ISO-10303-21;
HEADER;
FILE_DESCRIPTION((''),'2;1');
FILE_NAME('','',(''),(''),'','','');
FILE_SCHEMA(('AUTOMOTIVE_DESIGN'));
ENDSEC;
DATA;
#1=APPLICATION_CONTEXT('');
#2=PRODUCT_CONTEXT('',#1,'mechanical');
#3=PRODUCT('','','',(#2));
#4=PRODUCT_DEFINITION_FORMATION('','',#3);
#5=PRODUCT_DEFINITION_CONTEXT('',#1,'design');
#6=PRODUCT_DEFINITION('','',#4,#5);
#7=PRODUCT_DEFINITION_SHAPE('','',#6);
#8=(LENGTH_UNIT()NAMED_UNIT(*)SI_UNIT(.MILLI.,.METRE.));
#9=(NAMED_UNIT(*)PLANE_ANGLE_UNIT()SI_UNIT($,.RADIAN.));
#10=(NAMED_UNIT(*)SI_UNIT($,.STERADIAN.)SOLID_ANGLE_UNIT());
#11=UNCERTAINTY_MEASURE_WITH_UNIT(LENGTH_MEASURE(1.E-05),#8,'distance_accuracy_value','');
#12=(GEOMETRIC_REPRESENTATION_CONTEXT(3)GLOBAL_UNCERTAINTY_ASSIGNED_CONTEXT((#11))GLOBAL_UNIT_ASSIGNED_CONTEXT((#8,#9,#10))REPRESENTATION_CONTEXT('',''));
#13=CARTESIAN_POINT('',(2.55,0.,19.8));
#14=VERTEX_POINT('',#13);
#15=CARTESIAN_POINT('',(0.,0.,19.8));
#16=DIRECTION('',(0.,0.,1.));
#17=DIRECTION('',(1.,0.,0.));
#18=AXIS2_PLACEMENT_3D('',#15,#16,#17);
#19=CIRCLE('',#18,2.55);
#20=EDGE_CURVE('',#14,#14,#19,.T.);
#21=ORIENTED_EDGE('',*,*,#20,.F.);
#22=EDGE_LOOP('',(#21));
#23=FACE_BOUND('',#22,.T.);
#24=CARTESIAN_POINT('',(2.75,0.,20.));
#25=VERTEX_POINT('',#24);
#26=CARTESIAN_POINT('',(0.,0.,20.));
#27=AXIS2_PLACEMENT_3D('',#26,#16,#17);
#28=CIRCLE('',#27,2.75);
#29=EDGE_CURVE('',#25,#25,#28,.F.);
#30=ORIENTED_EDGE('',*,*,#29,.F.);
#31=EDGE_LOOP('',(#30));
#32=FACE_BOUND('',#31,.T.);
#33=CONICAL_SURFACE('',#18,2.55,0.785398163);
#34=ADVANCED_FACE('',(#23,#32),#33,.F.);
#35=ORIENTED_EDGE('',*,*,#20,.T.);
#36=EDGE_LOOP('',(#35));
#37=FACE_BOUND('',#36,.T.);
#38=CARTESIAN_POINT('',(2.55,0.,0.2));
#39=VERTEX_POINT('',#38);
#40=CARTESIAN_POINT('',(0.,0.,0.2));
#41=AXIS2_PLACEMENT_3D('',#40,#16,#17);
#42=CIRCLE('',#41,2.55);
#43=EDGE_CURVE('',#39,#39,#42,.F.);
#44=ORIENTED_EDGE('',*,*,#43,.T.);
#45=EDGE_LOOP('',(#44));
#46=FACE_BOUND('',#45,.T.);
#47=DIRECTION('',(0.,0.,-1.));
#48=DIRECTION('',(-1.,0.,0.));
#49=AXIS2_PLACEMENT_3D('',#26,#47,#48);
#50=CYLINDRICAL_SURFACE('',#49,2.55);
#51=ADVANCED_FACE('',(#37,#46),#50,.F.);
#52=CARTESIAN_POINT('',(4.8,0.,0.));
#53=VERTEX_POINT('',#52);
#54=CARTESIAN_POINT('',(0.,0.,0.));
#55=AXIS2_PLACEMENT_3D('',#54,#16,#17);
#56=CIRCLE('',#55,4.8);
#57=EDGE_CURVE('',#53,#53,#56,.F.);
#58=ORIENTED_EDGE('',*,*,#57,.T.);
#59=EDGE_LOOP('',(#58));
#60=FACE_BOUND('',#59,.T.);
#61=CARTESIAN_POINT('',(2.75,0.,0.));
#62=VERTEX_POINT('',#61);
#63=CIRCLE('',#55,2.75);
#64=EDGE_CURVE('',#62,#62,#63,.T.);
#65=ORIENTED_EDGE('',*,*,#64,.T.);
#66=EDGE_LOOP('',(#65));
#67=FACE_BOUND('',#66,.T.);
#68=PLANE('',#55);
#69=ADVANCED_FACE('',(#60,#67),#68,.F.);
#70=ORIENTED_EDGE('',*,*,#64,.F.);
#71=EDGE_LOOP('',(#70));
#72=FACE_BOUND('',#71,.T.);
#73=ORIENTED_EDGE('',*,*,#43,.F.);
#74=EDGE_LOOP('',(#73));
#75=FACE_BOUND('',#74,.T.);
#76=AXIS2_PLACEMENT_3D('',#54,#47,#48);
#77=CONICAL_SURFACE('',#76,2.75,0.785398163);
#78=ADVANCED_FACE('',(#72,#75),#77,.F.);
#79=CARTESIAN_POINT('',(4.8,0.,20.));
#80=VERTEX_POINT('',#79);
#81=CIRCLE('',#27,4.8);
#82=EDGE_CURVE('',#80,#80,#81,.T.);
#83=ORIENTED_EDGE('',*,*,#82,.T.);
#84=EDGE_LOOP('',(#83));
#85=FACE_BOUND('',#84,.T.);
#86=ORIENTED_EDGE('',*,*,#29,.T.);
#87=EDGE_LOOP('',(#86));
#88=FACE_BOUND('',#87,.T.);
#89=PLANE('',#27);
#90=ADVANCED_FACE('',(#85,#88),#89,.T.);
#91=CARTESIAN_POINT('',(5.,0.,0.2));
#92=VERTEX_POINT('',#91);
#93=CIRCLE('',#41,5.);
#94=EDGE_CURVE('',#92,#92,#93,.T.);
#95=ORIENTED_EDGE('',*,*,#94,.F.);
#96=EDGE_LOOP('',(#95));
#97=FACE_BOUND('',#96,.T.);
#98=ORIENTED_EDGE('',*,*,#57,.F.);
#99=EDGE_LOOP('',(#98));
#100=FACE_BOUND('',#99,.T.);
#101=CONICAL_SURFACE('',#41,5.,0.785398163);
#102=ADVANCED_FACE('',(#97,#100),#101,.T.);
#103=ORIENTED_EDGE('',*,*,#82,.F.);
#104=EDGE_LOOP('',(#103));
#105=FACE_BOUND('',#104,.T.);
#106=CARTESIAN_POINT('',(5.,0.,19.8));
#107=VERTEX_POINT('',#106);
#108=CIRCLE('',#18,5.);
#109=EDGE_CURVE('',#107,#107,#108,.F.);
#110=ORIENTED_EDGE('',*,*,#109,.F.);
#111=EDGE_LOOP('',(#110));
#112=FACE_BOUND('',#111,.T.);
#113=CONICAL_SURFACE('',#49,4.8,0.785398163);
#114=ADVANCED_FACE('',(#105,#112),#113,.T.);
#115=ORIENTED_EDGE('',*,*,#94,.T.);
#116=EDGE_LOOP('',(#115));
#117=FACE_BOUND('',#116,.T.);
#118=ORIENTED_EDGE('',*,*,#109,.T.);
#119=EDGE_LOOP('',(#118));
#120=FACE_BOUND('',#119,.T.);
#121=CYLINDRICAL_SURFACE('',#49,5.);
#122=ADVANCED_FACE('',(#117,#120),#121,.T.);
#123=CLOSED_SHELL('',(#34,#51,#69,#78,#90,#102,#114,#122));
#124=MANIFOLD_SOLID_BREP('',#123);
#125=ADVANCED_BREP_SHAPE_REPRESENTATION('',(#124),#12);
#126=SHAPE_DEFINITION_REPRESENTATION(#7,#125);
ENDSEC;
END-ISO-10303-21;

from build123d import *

# Parameters (mm, degrees)
SKETCH1_R           = 5
SKETCH1_R_2         = 2.55
BOSS_EXTRUDE1_DEPTH = 20
CHAMFER1_SIZE       = 0.2


with BuildPart() as part:
    # Sketch1 → Boss-Extrude1 (new body)
    with BuildSketch(Plane.XY):
        Circle(SKETCH1_R)
        Circle(SKETCH1_R_2, mode=Mode.SUBTRACT)
    extrude(amount=BOSS_EXTRUDE1_DEPTH)

    # Chamfer1
    chamfer1_edges = [part.edges().sort_by_distance(p)[0] for p in [
        (-5, 0, 0),
        (-5, 0, 20),
        (-2.55, 0, 0),
        (-2.55, 0, 20),
    ]]
    chamfer(chamfer1_edges, length=CHAMFER1_SIZE)


solid = part.part
